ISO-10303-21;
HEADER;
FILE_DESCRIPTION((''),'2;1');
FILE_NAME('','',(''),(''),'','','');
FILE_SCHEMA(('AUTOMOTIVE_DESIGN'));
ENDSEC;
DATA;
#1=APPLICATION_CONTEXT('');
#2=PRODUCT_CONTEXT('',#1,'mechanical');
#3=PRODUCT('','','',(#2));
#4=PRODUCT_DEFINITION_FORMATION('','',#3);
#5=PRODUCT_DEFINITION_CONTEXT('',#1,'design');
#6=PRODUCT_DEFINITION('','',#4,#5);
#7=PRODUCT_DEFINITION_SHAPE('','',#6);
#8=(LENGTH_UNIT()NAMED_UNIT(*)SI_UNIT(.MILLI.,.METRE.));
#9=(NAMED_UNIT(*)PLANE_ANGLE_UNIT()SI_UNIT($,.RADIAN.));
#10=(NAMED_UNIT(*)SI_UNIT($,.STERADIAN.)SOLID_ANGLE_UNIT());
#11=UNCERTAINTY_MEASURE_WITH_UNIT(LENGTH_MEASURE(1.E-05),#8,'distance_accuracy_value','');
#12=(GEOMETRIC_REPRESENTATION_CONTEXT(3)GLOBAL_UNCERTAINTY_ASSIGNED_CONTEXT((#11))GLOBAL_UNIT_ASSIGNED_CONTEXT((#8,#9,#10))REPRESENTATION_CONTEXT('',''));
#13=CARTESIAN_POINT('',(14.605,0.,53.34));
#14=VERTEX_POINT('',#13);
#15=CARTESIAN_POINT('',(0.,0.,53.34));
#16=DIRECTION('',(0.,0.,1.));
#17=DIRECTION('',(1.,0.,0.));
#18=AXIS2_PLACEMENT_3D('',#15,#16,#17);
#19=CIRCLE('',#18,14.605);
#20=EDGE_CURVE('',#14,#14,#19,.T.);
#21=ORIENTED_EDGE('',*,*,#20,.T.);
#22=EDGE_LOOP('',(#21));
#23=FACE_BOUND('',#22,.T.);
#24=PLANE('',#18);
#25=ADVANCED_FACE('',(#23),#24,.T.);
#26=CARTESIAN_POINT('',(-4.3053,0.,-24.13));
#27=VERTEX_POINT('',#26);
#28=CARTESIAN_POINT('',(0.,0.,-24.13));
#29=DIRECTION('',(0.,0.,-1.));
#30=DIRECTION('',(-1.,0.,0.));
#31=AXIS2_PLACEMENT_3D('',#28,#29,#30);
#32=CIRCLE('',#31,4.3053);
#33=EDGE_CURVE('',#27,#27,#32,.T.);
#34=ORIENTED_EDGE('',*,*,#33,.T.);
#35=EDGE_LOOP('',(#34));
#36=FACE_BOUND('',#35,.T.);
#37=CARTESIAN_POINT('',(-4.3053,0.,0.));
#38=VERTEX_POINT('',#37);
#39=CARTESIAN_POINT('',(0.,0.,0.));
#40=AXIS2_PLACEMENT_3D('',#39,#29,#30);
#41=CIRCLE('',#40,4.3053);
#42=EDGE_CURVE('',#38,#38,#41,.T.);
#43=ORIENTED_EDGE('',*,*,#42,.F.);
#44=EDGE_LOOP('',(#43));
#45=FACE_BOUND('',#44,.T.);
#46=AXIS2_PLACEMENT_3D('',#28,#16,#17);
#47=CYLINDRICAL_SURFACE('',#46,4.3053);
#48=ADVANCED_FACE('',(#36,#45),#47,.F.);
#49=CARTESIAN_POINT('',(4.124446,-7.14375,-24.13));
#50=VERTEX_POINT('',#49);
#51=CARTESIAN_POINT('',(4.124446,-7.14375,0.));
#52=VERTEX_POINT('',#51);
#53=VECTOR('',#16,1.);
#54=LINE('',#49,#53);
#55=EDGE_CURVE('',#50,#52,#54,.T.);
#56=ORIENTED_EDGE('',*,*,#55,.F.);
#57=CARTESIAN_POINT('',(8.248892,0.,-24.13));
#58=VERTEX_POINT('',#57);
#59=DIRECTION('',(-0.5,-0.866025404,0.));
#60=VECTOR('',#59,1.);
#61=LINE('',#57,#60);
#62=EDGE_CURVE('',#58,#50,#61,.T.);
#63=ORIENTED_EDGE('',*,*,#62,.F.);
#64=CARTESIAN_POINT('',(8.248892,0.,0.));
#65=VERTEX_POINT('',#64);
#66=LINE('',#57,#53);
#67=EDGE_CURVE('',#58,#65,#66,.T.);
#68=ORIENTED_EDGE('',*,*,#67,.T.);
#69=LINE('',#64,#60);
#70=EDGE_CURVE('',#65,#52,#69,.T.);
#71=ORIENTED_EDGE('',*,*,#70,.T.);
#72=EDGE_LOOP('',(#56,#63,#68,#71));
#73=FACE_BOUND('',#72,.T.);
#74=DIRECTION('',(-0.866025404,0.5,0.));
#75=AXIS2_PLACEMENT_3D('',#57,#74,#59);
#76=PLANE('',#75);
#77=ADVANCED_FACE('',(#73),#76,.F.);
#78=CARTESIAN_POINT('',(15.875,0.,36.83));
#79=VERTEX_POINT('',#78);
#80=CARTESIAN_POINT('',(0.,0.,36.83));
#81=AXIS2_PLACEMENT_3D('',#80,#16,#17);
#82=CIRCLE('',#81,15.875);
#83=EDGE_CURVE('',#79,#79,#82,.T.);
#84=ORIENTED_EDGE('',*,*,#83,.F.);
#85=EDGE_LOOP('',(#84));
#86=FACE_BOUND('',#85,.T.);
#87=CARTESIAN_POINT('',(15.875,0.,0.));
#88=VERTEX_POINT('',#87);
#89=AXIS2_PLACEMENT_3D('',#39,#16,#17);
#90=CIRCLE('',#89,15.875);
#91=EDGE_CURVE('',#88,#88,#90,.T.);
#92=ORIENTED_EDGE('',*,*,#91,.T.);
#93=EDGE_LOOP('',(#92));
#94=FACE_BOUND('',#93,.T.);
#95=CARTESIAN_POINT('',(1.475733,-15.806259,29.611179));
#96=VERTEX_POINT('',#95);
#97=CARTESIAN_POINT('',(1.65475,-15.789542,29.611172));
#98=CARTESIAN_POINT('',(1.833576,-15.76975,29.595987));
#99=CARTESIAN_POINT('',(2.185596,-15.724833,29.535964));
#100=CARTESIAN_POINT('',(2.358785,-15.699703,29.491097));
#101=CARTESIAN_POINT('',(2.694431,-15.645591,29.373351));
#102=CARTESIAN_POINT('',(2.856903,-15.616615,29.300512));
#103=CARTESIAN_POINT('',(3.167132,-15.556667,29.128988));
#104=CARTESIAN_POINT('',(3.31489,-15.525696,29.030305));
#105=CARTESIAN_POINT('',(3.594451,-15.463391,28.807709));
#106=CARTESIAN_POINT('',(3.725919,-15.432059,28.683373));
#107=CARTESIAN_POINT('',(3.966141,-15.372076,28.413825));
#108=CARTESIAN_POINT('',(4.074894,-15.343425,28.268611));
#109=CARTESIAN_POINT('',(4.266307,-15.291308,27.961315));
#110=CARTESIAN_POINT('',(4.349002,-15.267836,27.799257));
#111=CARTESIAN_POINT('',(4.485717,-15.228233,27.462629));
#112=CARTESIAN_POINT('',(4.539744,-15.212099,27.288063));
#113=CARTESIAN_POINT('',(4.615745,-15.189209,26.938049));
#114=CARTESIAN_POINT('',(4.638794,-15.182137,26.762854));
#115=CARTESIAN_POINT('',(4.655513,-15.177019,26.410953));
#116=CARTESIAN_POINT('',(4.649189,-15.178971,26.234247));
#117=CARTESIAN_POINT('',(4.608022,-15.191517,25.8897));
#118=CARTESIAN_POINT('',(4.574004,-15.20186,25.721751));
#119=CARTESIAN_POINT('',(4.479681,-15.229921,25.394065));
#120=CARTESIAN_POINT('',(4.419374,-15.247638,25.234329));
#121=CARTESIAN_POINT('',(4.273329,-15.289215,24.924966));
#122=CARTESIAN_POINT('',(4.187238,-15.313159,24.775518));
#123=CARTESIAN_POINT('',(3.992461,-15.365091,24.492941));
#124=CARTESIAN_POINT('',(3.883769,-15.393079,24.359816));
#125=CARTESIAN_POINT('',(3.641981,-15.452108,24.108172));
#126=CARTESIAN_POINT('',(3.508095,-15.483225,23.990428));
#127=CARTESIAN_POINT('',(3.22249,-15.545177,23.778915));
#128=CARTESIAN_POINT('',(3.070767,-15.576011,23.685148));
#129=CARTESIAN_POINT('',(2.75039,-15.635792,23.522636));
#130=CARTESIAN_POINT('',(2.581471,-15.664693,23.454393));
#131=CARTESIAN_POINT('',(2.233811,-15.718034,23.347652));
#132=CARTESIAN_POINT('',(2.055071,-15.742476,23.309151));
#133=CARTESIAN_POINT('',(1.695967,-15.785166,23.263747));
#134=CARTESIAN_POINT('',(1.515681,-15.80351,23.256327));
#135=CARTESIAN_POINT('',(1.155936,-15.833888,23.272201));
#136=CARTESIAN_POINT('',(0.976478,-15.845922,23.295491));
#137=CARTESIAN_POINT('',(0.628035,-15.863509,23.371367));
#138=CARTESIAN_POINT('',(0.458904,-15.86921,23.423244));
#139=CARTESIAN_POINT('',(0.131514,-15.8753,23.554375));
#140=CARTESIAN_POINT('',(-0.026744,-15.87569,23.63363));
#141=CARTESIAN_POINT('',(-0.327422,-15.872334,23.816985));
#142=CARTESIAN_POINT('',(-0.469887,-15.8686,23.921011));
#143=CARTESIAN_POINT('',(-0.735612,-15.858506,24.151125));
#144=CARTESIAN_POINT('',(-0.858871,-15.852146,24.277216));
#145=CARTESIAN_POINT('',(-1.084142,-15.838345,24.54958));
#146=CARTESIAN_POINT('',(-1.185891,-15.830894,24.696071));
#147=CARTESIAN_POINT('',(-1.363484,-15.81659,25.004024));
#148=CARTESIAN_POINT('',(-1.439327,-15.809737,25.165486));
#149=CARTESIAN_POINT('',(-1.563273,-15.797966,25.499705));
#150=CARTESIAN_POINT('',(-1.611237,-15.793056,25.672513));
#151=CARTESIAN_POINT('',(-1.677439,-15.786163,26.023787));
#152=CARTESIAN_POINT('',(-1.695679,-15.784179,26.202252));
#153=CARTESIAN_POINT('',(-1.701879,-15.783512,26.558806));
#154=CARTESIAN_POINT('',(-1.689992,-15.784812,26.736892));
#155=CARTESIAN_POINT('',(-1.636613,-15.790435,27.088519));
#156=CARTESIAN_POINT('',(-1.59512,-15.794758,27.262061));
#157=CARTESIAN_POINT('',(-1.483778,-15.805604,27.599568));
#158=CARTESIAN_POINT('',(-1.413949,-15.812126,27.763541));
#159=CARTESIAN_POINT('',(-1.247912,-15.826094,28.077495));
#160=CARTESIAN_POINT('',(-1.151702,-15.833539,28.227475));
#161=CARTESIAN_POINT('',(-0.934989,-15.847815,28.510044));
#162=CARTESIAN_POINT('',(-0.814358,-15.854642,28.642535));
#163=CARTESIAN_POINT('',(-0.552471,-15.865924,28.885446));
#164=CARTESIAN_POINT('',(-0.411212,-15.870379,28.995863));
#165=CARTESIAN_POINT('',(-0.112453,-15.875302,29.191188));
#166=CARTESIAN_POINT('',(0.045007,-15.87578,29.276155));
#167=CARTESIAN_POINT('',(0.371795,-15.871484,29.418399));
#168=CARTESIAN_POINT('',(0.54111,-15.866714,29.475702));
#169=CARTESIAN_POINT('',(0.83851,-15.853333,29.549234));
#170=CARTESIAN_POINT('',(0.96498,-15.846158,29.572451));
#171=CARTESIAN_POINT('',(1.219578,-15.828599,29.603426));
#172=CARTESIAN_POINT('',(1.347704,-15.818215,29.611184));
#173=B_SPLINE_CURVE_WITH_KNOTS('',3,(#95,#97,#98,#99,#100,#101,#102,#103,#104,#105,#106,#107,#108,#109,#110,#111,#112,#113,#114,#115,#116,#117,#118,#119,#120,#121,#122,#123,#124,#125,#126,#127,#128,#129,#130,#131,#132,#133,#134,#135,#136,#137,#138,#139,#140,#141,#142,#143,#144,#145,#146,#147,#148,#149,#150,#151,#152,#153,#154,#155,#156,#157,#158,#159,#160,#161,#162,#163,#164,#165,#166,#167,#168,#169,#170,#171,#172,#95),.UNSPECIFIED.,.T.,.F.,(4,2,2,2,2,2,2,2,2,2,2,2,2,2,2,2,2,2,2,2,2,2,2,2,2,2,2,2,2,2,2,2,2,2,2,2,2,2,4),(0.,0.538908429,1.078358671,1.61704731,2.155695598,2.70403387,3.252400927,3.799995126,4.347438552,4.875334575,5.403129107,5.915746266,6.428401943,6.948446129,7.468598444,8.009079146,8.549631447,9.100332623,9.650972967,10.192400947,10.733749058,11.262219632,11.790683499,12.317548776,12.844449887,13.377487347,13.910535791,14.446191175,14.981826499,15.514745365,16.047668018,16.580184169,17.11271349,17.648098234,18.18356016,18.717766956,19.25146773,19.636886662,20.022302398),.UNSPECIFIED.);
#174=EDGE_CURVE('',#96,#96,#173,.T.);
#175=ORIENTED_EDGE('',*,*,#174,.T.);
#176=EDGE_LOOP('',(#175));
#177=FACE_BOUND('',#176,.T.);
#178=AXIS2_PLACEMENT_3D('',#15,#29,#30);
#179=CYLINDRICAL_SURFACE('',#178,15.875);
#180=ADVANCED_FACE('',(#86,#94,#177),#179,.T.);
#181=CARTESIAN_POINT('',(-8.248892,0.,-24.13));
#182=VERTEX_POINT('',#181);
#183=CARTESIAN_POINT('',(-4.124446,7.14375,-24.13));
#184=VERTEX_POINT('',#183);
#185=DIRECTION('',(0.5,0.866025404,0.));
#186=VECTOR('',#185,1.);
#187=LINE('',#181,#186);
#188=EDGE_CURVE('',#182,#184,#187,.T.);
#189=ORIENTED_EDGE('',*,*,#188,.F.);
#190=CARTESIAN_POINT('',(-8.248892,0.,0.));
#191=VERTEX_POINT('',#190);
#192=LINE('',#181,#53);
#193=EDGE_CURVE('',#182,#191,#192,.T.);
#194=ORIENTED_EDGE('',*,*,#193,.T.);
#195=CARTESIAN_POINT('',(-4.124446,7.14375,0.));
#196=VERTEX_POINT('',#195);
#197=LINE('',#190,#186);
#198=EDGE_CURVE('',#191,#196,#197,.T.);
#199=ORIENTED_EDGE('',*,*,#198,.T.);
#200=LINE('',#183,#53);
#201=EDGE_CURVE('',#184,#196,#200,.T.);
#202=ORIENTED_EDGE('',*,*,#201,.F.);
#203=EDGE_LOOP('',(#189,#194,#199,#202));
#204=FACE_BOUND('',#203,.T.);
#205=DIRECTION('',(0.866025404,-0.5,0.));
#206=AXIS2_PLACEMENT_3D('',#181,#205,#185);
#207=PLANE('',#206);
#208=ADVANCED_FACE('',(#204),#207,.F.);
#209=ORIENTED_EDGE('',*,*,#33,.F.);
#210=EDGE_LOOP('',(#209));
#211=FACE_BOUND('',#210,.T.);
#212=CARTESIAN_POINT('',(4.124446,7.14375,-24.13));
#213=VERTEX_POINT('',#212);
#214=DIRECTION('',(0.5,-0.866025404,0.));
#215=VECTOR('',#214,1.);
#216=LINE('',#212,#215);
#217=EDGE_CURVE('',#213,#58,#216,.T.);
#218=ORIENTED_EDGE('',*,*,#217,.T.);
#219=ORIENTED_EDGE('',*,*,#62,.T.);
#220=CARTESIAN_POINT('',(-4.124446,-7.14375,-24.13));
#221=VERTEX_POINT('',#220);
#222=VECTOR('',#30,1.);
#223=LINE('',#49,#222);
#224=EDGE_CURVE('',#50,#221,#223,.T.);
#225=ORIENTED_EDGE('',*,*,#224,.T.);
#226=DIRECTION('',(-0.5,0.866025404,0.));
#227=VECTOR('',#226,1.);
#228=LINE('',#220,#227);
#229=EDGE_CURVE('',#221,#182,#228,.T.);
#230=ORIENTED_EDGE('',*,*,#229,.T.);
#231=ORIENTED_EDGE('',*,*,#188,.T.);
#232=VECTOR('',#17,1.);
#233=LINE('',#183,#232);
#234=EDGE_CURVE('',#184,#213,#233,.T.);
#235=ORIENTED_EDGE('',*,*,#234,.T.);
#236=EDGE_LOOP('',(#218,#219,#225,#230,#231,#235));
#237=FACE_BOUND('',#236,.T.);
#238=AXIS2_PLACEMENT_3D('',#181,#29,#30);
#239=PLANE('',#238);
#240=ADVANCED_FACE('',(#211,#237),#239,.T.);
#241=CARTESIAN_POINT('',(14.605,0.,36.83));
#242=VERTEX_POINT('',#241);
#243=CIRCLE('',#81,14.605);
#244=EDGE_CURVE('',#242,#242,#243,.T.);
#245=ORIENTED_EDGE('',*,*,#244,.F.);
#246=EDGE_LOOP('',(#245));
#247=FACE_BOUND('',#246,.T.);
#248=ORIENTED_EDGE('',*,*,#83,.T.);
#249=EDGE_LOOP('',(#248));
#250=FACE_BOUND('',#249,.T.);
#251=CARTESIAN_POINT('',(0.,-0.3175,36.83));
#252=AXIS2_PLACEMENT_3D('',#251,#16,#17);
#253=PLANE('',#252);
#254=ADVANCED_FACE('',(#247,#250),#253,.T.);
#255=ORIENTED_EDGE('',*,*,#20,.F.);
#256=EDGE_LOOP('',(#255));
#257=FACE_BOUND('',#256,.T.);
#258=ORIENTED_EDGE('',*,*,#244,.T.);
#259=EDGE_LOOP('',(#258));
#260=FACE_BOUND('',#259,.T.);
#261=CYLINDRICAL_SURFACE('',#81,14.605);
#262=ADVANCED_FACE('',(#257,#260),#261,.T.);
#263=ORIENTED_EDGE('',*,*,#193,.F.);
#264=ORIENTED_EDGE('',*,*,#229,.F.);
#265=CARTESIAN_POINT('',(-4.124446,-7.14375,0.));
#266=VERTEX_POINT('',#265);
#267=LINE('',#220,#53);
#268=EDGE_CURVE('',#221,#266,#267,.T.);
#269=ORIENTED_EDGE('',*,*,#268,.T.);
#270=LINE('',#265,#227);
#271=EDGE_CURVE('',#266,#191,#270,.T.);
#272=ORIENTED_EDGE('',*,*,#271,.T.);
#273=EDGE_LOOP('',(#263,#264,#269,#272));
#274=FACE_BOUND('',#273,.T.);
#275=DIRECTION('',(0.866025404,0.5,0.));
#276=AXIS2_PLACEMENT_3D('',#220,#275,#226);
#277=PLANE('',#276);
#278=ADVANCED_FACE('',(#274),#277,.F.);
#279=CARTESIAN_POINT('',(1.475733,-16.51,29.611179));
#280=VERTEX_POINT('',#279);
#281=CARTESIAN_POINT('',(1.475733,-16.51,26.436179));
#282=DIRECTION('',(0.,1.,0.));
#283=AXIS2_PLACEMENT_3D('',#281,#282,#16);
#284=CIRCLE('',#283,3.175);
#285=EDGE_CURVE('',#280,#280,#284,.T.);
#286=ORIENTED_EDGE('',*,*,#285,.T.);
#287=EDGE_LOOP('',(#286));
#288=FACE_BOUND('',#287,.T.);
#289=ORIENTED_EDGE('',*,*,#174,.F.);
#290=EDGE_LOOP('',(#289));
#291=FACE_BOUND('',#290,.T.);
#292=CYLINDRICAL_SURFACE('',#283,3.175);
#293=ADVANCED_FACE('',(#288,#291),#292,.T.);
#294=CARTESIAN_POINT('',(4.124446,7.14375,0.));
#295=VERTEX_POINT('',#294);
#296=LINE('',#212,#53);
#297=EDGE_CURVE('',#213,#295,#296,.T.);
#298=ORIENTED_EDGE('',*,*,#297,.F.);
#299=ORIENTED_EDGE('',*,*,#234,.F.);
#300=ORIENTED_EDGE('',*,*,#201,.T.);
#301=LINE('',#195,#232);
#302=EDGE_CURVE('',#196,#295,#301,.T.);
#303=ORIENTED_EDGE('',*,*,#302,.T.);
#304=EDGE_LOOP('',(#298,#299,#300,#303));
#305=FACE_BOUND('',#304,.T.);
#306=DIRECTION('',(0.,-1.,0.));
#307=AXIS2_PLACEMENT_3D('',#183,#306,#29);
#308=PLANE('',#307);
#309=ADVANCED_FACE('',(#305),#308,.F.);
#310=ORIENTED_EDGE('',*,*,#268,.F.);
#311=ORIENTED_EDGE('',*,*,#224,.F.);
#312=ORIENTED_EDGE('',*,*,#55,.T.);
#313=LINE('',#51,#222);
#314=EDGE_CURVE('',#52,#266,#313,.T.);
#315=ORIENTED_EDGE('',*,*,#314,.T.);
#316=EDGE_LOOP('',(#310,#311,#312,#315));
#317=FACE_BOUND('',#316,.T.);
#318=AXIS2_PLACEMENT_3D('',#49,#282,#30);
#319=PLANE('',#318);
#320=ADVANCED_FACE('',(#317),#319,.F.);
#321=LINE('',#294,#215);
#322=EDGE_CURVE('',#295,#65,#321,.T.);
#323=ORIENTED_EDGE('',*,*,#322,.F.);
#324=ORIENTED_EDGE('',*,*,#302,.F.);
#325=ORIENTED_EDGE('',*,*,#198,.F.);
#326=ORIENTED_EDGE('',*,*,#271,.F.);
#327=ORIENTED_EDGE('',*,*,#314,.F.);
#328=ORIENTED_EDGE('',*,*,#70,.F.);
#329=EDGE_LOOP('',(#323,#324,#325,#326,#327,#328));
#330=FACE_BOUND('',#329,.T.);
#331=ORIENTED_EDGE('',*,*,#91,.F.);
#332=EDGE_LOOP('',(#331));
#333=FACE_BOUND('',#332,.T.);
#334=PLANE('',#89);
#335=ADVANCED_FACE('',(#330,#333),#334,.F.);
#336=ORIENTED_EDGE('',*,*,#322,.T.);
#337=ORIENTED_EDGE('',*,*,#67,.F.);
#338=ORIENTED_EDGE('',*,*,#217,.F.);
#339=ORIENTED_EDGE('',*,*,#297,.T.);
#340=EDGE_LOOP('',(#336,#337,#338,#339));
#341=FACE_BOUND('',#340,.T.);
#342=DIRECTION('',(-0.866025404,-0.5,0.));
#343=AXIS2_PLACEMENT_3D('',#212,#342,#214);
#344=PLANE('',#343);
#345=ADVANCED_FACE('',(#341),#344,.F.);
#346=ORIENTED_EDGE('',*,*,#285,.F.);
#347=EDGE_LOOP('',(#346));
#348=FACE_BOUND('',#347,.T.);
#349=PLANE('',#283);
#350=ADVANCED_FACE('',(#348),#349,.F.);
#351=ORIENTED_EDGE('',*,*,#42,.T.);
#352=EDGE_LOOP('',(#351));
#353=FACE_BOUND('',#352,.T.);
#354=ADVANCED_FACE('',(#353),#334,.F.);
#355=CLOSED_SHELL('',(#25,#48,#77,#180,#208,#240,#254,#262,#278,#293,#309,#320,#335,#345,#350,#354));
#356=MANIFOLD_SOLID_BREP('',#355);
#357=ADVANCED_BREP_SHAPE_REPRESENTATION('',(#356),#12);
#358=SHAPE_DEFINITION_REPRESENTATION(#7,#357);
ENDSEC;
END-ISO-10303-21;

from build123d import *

# Parameters (mm, degrees)
SKETCH2_R           = 15.875
BOSS_EXTRUDE1_DEPTH = 53.34
SKETCH3_R           = 4.3053
BOSS_EXTRUDE2_DEPTH = 24.13
SKETCH4_R           = 3.175
BOSS_EXTRUDE3_DEPTH = 16.51
SKETCH5_OUTSIDE_W   = 51.704
SKETCH5_OUTSIDE_H   = 52.339
SKETCH5_OUTSIDE_R   = 14.605
CUT_EXTRUDE1_DEPTH  = 16.51


with BuildPart() as part:
    # Sketch2 → Boss-Extrude1 (new body)
    with BuildSketch(Plane.XY):
        Circle(SKETCH2_R)
    extrude(amount=BOSS_EXTRUDE1_DEPTH)

    # Sketch3 → Boss-Extrude2 (add)
    with BuildSketch(Plane(origin=(0, 0, 0), x_dir=(-1, 0, 0), z_dir=(0, 0, -1))):
        Polygon((8.248891971, 0), (4.124445986, 7.14375), (-4.124445986, 7.14375), (-8.248891971, 0), (-4.124445986, -7.14375), (4.124445986, -7.14375), align=None)
        Circle(SKETCH3_R, mode=Mode.SUBTRACT)
    extrude(amount=BOSS_EXTRUDE2_DEPTH)

    # Sketch4 → Boss-Extrude3 (add)
    with BuildSketch(Plane(origin=(0, 0, 0), x_dir=(1, 0, 0), z_dir=(0, 1, 0))):
        with Locations(Location((1.475733324, -26.436178991, 0), (0, 0, 270))):
            Circle(SKETCH4_R)
    extrude(amount=-BOSS_EXTRUDE3_DEPTH)

    # Sketch5 outside → Cut-Extrude1 (cut)
    with BuildSketch(Plane.XY.offset(53.34)):
        with Locations((0, -0.3175)):
            Rectangle(SKETCH5_OUTSIDE_W, SKETCH5_OUTSIDE_H)
        Circle(SKETCH5_OUTSIDE_R, mode=Mode.SUBTRACT)
    extrude(amount=-CUT_EXTRUDE1_DEPTH, mode=Mode.SUBTRACT)


solid = part.part
